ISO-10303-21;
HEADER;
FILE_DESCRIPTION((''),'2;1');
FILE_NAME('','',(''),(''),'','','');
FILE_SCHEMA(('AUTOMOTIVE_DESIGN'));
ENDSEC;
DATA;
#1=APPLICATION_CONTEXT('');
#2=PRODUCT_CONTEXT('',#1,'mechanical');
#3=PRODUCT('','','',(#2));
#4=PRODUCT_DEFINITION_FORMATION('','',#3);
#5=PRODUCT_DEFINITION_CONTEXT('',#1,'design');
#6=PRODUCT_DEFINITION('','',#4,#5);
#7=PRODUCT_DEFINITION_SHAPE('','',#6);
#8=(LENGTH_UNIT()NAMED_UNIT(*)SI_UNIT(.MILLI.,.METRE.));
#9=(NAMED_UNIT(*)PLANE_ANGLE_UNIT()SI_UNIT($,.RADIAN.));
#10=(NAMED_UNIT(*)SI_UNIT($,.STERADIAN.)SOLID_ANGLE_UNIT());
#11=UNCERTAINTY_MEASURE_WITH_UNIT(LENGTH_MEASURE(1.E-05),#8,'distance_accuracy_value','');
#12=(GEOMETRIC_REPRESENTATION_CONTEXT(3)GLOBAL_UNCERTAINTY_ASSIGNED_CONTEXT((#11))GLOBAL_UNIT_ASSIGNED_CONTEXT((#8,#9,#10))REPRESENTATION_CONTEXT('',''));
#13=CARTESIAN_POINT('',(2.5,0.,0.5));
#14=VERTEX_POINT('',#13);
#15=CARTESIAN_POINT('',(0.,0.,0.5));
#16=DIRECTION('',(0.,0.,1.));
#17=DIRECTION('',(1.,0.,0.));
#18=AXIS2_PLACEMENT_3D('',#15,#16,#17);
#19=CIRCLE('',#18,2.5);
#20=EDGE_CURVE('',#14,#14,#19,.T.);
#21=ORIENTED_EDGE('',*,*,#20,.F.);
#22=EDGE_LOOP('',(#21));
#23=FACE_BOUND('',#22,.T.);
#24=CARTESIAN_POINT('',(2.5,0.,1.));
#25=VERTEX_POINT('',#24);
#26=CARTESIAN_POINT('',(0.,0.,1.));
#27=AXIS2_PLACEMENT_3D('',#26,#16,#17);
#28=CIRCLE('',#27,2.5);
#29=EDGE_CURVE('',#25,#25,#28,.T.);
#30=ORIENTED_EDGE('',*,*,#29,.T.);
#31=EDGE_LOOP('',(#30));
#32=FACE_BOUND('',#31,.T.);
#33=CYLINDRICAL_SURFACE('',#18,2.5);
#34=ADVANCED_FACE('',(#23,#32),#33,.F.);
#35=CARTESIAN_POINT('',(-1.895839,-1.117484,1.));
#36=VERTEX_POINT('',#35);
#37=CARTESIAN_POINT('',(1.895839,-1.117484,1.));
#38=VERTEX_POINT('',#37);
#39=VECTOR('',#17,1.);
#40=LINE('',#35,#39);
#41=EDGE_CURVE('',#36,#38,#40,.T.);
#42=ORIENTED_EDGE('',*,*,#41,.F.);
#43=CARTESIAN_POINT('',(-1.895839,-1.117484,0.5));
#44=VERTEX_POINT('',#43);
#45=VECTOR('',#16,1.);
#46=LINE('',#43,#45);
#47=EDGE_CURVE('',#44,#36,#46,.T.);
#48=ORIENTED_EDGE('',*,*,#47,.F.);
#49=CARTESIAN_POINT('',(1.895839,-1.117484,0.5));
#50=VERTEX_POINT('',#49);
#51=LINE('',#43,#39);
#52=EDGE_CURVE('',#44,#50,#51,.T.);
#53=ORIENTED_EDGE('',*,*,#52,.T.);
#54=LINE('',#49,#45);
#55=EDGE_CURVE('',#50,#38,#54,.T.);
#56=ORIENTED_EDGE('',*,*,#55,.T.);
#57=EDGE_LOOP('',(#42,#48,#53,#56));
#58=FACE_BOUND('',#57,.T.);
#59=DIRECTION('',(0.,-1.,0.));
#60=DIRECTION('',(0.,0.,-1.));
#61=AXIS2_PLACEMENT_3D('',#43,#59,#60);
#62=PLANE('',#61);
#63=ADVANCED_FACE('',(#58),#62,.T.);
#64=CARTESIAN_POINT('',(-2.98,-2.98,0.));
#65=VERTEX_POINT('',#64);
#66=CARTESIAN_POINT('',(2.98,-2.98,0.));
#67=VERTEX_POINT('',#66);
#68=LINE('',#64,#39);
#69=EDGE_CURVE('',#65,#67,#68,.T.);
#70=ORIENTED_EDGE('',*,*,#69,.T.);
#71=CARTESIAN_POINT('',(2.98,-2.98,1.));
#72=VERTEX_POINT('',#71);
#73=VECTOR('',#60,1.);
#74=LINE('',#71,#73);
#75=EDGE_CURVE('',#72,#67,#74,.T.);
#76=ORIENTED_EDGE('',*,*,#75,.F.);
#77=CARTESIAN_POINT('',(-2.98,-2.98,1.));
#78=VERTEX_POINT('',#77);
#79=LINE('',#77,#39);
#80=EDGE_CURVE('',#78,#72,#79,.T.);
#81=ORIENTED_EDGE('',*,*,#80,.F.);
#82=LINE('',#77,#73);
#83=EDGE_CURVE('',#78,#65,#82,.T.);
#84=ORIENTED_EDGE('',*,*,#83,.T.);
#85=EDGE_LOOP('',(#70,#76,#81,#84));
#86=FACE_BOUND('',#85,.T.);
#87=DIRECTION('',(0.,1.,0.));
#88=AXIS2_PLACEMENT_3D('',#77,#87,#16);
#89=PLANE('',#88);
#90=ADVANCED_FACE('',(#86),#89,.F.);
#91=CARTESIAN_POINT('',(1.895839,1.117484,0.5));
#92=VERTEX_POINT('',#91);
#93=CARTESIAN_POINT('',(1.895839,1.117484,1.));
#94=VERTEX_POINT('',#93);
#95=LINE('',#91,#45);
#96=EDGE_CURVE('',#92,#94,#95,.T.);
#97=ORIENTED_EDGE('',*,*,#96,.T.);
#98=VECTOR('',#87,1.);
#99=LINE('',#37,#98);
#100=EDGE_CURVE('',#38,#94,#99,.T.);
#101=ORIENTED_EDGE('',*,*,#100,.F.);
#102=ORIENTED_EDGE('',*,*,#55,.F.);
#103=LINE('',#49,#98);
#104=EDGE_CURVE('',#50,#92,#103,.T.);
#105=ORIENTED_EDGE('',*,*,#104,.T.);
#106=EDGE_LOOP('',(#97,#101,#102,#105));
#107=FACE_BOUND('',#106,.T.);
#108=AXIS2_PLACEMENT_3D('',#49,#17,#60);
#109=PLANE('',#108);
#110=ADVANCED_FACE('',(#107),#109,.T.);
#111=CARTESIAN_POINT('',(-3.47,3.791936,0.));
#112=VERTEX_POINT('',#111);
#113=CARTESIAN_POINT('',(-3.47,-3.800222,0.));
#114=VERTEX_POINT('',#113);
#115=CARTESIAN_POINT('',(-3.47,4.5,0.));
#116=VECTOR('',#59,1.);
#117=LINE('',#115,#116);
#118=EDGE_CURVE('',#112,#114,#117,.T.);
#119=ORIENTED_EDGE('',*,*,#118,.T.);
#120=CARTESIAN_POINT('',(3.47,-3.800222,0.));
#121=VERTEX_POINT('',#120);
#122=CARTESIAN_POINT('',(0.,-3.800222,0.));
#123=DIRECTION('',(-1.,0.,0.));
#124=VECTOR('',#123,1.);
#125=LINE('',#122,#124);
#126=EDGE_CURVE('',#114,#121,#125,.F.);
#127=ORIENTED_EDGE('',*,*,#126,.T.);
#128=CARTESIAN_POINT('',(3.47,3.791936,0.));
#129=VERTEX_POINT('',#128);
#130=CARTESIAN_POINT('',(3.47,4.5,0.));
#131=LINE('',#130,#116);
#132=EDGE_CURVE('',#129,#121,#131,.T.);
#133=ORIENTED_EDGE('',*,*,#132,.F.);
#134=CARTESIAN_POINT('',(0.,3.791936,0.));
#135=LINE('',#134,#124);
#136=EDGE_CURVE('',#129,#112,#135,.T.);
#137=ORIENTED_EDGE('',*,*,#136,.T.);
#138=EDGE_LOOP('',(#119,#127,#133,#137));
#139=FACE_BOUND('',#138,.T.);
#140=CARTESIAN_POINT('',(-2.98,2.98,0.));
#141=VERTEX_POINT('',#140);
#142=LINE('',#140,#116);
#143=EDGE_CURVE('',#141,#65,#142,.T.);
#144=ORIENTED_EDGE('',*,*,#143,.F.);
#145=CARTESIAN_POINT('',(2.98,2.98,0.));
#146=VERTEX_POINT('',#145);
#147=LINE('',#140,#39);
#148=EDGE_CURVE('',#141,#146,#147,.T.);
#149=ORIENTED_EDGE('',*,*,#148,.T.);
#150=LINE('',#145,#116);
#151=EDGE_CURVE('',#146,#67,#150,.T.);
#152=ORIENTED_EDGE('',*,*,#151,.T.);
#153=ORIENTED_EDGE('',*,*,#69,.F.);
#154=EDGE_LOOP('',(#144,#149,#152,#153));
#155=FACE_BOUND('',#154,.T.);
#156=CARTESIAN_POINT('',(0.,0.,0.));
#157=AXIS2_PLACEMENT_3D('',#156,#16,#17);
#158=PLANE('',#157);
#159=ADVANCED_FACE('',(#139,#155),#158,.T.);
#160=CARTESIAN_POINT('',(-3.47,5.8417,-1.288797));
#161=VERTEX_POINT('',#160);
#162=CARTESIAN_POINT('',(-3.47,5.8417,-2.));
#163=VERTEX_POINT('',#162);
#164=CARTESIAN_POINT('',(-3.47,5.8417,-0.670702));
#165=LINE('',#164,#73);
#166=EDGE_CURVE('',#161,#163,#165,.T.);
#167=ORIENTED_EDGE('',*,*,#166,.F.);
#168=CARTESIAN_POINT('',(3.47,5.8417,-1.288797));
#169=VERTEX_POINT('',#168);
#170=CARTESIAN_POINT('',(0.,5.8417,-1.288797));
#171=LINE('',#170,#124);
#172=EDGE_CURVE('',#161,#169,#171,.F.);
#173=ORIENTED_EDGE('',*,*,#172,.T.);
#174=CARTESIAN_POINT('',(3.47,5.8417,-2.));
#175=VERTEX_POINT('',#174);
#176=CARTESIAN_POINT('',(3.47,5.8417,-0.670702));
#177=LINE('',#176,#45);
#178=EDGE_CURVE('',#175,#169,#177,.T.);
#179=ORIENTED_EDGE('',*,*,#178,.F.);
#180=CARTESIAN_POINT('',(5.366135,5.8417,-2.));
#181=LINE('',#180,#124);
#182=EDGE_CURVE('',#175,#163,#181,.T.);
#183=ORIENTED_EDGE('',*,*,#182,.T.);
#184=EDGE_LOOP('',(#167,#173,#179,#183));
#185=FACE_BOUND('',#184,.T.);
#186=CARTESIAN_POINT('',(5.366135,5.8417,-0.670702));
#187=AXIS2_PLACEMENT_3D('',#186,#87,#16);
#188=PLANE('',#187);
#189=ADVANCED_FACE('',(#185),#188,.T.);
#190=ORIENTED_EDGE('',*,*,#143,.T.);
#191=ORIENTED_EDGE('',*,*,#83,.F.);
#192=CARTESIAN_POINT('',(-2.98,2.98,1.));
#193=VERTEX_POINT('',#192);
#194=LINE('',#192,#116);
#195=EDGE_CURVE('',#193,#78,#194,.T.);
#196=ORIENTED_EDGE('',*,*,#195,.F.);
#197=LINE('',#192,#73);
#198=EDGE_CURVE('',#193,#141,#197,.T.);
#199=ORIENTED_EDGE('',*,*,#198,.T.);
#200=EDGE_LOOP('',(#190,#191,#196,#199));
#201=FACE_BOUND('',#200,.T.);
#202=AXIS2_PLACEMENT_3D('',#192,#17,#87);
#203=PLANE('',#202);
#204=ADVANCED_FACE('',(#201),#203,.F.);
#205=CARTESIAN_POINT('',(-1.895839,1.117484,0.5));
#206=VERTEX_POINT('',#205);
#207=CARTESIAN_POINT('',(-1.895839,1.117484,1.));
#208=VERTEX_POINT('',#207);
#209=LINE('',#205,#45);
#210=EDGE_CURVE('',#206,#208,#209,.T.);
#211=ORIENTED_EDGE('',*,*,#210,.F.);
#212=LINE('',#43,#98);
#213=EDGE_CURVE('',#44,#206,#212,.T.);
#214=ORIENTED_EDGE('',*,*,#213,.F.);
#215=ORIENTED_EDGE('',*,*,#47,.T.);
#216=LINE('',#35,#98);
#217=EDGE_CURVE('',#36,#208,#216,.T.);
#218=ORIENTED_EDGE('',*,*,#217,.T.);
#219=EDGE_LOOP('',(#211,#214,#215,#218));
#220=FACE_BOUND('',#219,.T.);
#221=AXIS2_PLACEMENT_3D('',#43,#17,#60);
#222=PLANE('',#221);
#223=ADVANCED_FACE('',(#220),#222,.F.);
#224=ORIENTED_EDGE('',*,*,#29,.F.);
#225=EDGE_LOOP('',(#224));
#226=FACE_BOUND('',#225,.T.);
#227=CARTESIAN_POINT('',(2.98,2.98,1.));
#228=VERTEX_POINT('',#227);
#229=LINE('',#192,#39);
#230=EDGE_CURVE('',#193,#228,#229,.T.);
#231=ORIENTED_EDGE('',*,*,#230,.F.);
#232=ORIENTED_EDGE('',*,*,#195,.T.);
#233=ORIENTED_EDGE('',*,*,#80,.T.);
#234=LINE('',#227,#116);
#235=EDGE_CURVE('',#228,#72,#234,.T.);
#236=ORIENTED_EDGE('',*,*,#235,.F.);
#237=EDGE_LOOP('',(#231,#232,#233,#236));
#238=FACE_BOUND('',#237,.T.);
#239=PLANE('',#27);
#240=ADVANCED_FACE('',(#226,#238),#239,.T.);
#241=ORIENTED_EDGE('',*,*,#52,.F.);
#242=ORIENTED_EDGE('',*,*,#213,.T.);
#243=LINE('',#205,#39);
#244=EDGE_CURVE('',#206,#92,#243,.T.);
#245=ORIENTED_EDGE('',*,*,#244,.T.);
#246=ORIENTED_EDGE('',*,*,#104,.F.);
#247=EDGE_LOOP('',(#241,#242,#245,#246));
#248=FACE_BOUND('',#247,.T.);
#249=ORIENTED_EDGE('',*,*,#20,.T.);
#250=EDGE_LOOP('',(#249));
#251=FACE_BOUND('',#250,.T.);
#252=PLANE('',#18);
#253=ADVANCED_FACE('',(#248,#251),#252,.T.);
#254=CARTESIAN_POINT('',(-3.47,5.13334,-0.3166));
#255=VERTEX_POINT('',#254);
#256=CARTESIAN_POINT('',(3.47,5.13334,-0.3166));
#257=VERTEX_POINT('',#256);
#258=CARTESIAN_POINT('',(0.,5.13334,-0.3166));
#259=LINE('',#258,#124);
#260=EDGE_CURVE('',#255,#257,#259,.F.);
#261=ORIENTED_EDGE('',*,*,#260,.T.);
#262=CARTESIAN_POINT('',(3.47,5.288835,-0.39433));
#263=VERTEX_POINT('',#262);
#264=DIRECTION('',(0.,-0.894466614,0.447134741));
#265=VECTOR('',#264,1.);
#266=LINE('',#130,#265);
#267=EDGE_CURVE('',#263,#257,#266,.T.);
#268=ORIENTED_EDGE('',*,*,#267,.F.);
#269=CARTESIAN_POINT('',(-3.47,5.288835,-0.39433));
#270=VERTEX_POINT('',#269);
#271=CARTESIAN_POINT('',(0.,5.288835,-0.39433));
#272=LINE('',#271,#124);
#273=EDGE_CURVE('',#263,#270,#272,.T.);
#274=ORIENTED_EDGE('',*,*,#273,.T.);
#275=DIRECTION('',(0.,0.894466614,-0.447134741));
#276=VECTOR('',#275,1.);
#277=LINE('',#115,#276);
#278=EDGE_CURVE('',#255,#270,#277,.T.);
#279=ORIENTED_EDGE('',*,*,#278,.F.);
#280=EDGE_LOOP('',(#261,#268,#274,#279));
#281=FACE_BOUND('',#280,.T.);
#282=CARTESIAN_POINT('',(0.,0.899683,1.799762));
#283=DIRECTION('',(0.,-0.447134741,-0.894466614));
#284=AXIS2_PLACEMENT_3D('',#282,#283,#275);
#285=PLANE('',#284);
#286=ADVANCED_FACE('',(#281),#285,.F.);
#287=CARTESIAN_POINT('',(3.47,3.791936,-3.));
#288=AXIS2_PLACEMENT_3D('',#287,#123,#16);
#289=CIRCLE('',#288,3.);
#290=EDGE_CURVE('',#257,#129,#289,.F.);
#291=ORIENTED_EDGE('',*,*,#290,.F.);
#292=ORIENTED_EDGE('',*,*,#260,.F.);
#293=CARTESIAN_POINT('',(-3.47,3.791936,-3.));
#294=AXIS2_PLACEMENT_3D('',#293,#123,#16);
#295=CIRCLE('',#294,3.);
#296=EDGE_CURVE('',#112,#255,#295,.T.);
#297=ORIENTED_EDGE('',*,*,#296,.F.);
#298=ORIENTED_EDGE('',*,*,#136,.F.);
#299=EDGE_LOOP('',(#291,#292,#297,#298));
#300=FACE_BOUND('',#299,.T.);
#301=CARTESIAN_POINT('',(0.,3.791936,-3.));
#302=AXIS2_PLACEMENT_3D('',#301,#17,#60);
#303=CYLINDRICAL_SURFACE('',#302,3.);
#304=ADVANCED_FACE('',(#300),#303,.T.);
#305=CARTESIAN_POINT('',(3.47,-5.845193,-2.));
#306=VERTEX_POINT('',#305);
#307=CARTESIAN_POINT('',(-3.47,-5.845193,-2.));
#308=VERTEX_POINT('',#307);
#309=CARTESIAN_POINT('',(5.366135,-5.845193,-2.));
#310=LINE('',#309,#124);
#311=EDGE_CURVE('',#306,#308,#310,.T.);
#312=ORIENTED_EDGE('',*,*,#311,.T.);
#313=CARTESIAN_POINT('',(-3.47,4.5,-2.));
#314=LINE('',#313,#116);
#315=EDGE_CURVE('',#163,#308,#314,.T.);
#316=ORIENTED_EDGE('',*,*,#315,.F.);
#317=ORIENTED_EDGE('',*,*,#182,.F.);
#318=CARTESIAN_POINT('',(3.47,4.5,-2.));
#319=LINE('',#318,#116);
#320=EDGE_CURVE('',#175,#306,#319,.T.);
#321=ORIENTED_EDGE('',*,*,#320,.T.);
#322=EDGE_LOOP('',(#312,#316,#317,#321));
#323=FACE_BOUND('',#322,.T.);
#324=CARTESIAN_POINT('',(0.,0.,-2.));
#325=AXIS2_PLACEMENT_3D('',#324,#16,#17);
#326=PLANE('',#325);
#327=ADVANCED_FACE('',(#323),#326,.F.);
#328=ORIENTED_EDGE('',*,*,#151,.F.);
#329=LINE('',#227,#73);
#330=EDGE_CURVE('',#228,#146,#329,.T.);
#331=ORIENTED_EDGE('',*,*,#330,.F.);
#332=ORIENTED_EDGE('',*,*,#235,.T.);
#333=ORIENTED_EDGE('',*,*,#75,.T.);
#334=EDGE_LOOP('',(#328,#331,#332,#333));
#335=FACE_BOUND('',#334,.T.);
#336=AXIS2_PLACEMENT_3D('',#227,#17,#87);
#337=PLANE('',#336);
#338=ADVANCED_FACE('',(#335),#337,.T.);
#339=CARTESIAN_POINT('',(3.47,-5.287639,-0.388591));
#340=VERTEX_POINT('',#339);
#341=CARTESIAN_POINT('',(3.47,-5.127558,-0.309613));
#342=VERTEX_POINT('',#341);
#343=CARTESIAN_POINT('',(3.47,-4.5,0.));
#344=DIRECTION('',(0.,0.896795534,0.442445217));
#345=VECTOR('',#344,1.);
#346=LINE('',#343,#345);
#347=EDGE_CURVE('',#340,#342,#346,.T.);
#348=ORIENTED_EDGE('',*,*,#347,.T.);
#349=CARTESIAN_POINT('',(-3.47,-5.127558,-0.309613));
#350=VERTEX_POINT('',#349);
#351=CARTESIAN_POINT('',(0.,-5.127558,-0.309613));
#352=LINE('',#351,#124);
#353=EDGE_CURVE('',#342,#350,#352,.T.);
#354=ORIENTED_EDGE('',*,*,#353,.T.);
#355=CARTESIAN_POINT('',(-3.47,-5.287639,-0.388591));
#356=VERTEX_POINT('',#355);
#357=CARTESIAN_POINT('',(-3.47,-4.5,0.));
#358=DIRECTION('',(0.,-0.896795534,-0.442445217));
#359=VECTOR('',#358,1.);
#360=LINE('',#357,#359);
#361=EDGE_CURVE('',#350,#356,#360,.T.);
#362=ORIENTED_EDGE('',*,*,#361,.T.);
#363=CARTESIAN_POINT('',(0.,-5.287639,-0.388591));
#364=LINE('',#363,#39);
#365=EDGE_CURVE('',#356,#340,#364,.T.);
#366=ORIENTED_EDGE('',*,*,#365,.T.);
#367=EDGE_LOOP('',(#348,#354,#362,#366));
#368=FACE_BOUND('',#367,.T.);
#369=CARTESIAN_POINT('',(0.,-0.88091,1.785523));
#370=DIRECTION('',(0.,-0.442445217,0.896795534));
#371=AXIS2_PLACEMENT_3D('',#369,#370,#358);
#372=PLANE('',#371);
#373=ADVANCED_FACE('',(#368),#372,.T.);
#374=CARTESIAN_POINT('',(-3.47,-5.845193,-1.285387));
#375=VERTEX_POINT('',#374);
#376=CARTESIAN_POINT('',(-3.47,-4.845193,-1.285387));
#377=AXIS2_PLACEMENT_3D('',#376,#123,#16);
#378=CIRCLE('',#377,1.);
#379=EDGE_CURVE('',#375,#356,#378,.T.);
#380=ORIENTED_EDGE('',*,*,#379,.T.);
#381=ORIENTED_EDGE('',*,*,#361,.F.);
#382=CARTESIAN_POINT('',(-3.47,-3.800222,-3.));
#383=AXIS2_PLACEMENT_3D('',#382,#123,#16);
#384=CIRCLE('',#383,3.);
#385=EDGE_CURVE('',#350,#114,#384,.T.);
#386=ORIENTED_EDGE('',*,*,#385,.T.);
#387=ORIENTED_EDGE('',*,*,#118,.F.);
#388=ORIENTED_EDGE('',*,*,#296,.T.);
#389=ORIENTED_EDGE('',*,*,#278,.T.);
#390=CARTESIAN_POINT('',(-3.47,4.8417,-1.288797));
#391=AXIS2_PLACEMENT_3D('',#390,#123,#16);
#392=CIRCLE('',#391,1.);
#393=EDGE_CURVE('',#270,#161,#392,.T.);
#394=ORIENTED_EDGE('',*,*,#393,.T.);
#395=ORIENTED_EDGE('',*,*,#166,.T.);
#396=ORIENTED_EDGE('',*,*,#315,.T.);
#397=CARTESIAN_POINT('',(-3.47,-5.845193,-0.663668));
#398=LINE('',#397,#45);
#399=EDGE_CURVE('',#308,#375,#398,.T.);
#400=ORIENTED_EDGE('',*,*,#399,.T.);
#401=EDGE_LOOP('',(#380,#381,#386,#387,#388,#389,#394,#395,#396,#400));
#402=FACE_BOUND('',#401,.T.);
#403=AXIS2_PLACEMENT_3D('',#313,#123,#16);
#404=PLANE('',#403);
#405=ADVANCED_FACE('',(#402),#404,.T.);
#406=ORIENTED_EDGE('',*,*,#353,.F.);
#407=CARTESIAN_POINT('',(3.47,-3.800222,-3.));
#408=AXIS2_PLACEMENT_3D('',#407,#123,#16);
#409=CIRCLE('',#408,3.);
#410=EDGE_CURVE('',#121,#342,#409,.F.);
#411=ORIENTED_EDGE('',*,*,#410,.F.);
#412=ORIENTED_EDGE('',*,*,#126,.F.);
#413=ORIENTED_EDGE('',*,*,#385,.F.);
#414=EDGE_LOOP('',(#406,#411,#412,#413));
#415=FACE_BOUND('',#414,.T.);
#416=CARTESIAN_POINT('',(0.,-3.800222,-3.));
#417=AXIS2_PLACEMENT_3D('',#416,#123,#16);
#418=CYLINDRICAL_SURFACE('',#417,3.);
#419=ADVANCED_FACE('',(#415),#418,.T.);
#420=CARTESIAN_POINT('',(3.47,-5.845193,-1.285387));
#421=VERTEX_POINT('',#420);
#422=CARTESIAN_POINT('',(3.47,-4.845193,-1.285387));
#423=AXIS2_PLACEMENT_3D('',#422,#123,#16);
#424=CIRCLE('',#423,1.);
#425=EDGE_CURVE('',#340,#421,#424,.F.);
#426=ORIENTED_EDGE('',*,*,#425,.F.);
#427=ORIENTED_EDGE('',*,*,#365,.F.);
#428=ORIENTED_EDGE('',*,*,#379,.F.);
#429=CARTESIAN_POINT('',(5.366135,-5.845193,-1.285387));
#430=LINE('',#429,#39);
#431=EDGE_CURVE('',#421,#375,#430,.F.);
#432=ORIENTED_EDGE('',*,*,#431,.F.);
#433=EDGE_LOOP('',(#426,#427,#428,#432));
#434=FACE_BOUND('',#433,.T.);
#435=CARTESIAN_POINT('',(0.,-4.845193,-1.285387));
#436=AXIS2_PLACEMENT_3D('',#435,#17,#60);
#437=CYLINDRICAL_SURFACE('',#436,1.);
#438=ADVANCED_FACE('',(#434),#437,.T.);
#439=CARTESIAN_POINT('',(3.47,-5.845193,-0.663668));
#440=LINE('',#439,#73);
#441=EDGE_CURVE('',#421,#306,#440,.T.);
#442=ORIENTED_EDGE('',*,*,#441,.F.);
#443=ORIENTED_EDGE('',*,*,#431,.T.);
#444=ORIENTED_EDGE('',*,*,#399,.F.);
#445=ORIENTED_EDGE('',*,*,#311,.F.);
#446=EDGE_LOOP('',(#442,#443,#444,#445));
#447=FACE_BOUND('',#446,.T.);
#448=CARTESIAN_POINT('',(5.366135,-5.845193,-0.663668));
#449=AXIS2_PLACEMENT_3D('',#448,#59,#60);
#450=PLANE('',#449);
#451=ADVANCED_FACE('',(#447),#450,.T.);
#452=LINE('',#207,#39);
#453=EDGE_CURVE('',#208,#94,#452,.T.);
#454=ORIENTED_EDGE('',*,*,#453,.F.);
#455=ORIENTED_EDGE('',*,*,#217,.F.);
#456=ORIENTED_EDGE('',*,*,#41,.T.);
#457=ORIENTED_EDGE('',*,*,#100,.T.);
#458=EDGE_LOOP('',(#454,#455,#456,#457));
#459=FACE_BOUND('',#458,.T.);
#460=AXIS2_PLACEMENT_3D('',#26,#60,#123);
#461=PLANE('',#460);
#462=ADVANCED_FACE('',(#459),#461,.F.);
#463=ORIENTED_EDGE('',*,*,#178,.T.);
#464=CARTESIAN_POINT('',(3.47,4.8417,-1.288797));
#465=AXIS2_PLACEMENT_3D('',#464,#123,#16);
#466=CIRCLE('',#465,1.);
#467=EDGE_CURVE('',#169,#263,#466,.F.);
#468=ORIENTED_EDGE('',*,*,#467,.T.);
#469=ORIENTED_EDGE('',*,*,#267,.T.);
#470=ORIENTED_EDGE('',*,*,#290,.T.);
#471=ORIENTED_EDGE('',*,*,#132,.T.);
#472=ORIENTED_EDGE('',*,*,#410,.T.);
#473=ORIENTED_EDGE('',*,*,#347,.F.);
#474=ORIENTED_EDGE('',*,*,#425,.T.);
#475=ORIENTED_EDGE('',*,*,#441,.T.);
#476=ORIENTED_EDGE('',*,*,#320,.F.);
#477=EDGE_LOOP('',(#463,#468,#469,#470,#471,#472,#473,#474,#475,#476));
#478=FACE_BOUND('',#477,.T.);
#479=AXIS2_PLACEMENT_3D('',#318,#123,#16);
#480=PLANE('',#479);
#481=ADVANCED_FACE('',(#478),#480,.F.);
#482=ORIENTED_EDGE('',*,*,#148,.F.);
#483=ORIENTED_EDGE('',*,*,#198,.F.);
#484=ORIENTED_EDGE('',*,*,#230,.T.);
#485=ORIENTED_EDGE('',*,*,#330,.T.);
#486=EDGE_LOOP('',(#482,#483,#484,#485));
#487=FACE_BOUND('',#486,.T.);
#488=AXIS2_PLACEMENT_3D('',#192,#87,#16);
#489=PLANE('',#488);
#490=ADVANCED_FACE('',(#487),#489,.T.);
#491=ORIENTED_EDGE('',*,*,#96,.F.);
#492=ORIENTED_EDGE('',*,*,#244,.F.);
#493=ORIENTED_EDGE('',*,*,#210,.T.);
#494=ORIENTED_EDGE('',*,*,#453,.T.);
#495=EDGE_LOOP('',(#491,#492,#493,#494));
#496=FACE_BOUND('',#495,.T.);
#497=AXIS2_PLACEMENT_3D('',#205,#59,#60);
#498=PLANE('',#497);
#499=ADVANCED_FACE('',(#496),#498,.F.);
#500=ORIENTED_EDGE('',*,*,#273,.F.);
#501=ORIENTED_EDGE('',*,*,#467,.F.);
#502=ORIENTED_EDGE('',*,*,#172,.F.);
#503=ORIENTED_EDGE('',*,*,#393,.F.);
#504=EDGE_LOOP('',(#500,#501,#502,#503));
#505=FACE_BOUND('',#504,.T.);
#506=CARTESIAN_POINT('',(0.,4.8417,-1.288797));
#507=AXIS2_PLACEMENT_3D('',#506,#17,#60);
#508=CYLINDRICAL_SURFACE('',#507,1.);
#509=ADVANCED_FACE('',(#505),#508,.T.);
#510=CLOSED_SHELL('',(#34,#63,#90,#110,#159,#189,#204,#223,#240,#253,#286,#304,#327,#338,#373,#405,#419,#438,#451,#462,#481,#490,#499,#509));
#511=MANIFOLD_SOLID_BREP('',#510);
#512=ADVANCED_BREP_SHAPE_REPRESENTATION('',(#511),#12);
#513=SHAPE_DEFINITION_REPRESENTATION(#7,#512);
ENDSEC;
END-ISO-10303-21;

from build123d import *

# Parameters (mm, degrees)
SKETCH1_W           = 6.94
SKETCH1_H           = 9
BOSS_EXTRUDE1_DEPTH = 2
SKETCH3_W           = 6.94
SKETCH3_H           = 1.5
BOSS_EXTRUDE2_DEPTH = 1
SKETCH5_W           = 6.94
SKETCH5_H           = 1.5
BOSS_EXTRUDE3_DEPTH = 1
BOSS_EXTRUDE4_DEPTH = 6.94
FILLET4_R           = 3
FILLET5_R           = 1
FILLET6_R           = 3
FILLET7_R           = 1
SKETCH1_4_W         = 5.96
SKETCH1_4_H         = 5.96
BOSS_EXTRUDE5_DEPTH = 1
SKETCH8_R           = 2.5
CUT_EXTRUDE1_DEPTH  = 0.5
SKETCH8_3_W         = 3.79167841
SKETCH8_3_H         = 2.234967368
BOSS_EXTRUDE6_DEPTH = 0.5


with BuildPart() as part:
    # Sketch1 → Boss-Extrude1 (new body)
    with BuildSketch(Plane.XY):
        Rectangle(SKETCH1_W, SKETCH1_H)
    extrude(amount=-BOSS_EXTRUDE1_DEPTH)

    # Sketch3 → Boss-Extrude2 (add)
    with BuildSketch(Plane(origin=(0, 0.899682646, 1.799761941), x_dir=(-1, 0, 0), z_dir=(0, -0.4471347413551615, -0.8944666137275626))):
        with Locations((0, 4.775099762)):
            Rectangle(SKETCH3_W, SKETCH3_H)
    extrude(amount=BOSS_EXTRUDE2_DEPTH)

    # Sketch5 → Boss-Extrude3 (add)
    with BuildSketch(Plane(origin=(0, -0.880909966, 1.785523027), x_dir=(1, 0, 0), z_dir=(0, -0.4424452173048707, 0.8967955339340434))):
        with Locations((0, -4.785579903)):
            Rectangle(SKETCH5_W, SKETCH5_H)
    extrude(amount=-BOSS_EXTRUDE3_DEPTH)

    # Sketch7 → Boss-Extrude4 (add)
    with BuildSketch(Plane.ZY.offset(3.47)):
        Polygon((-2, 4.5), (-1.117984713, 4.5), (-1.565168726, 5.394565179), (-0.670702112, 5.841699921), (-2, 5.841699921), align=None)
        Polygon((-2, -4.5), (-1.115081378, -4.5), (-1.56046336, -5.402748084), (-0.663667826, -5.845193301), (-2, -5.845193301), align=None)
    extrude(amount=-BOSS_EXTRUDE4_DEPTH)

    # Fillet4
    fillet4_edges = [part.edges().sort_by_distance(p)[0] for p in [
        (0, -4.5, 0),
    ]]
    fillet(fillet4_edges, radius=FILLET4_R)

    # Fillet5
    fillet5_edges = [part.edges().sort_by_distance(p)[0] for p in [
        (0, -5.845193301, -0.663667826),
    ]]
    fillet(fillet5_edges, radius=FILLET5_R)

    # Fillet6
    fillet6_edges = [part.edges().sort_by_distance(p)[0] for p in [
        (0, 4.5, 0),
    ]]
    fillet(fillet6_edges, radius=FILLET6_R)

    # Fillet7
    fillet7_edges = [part.edges().sort_by_distance(p)[0] for p in [
        (0, 5.841699921, -0.670702112),
    ]]
    fillet(fillet7_edges, radius=FILLET7_R)

    # Sketch1<4> → Boss-Extrude5 (add)
    with BuildSketch(Plane.XY):
        Rectangle(SKETCH1_4_W, SKETCH1_4_H)
    extrude(amount=BOSS_EXTRUDE5_DEPTH)

    # Sketch8 → Cut-Extrude1 (cut)
    with BuildSketch(Plane.XY.offset(1)):
        Circle(SKETCH8_R)
    extrude(amount=-CUT_EXTRUDE1_DEPTH, mode=Mode.SUBTRACT)

    # Sketch8<3> → Boss-Extrude6 (add)
    with BuildSketch(Plane.XY.offset(1)):
        Rectangle(SKETCH8_3_W, SKETCH8_3_H)
    extrude(amount=-BOSS_EXTRUDE6_DEPTH)


solid = part.part
